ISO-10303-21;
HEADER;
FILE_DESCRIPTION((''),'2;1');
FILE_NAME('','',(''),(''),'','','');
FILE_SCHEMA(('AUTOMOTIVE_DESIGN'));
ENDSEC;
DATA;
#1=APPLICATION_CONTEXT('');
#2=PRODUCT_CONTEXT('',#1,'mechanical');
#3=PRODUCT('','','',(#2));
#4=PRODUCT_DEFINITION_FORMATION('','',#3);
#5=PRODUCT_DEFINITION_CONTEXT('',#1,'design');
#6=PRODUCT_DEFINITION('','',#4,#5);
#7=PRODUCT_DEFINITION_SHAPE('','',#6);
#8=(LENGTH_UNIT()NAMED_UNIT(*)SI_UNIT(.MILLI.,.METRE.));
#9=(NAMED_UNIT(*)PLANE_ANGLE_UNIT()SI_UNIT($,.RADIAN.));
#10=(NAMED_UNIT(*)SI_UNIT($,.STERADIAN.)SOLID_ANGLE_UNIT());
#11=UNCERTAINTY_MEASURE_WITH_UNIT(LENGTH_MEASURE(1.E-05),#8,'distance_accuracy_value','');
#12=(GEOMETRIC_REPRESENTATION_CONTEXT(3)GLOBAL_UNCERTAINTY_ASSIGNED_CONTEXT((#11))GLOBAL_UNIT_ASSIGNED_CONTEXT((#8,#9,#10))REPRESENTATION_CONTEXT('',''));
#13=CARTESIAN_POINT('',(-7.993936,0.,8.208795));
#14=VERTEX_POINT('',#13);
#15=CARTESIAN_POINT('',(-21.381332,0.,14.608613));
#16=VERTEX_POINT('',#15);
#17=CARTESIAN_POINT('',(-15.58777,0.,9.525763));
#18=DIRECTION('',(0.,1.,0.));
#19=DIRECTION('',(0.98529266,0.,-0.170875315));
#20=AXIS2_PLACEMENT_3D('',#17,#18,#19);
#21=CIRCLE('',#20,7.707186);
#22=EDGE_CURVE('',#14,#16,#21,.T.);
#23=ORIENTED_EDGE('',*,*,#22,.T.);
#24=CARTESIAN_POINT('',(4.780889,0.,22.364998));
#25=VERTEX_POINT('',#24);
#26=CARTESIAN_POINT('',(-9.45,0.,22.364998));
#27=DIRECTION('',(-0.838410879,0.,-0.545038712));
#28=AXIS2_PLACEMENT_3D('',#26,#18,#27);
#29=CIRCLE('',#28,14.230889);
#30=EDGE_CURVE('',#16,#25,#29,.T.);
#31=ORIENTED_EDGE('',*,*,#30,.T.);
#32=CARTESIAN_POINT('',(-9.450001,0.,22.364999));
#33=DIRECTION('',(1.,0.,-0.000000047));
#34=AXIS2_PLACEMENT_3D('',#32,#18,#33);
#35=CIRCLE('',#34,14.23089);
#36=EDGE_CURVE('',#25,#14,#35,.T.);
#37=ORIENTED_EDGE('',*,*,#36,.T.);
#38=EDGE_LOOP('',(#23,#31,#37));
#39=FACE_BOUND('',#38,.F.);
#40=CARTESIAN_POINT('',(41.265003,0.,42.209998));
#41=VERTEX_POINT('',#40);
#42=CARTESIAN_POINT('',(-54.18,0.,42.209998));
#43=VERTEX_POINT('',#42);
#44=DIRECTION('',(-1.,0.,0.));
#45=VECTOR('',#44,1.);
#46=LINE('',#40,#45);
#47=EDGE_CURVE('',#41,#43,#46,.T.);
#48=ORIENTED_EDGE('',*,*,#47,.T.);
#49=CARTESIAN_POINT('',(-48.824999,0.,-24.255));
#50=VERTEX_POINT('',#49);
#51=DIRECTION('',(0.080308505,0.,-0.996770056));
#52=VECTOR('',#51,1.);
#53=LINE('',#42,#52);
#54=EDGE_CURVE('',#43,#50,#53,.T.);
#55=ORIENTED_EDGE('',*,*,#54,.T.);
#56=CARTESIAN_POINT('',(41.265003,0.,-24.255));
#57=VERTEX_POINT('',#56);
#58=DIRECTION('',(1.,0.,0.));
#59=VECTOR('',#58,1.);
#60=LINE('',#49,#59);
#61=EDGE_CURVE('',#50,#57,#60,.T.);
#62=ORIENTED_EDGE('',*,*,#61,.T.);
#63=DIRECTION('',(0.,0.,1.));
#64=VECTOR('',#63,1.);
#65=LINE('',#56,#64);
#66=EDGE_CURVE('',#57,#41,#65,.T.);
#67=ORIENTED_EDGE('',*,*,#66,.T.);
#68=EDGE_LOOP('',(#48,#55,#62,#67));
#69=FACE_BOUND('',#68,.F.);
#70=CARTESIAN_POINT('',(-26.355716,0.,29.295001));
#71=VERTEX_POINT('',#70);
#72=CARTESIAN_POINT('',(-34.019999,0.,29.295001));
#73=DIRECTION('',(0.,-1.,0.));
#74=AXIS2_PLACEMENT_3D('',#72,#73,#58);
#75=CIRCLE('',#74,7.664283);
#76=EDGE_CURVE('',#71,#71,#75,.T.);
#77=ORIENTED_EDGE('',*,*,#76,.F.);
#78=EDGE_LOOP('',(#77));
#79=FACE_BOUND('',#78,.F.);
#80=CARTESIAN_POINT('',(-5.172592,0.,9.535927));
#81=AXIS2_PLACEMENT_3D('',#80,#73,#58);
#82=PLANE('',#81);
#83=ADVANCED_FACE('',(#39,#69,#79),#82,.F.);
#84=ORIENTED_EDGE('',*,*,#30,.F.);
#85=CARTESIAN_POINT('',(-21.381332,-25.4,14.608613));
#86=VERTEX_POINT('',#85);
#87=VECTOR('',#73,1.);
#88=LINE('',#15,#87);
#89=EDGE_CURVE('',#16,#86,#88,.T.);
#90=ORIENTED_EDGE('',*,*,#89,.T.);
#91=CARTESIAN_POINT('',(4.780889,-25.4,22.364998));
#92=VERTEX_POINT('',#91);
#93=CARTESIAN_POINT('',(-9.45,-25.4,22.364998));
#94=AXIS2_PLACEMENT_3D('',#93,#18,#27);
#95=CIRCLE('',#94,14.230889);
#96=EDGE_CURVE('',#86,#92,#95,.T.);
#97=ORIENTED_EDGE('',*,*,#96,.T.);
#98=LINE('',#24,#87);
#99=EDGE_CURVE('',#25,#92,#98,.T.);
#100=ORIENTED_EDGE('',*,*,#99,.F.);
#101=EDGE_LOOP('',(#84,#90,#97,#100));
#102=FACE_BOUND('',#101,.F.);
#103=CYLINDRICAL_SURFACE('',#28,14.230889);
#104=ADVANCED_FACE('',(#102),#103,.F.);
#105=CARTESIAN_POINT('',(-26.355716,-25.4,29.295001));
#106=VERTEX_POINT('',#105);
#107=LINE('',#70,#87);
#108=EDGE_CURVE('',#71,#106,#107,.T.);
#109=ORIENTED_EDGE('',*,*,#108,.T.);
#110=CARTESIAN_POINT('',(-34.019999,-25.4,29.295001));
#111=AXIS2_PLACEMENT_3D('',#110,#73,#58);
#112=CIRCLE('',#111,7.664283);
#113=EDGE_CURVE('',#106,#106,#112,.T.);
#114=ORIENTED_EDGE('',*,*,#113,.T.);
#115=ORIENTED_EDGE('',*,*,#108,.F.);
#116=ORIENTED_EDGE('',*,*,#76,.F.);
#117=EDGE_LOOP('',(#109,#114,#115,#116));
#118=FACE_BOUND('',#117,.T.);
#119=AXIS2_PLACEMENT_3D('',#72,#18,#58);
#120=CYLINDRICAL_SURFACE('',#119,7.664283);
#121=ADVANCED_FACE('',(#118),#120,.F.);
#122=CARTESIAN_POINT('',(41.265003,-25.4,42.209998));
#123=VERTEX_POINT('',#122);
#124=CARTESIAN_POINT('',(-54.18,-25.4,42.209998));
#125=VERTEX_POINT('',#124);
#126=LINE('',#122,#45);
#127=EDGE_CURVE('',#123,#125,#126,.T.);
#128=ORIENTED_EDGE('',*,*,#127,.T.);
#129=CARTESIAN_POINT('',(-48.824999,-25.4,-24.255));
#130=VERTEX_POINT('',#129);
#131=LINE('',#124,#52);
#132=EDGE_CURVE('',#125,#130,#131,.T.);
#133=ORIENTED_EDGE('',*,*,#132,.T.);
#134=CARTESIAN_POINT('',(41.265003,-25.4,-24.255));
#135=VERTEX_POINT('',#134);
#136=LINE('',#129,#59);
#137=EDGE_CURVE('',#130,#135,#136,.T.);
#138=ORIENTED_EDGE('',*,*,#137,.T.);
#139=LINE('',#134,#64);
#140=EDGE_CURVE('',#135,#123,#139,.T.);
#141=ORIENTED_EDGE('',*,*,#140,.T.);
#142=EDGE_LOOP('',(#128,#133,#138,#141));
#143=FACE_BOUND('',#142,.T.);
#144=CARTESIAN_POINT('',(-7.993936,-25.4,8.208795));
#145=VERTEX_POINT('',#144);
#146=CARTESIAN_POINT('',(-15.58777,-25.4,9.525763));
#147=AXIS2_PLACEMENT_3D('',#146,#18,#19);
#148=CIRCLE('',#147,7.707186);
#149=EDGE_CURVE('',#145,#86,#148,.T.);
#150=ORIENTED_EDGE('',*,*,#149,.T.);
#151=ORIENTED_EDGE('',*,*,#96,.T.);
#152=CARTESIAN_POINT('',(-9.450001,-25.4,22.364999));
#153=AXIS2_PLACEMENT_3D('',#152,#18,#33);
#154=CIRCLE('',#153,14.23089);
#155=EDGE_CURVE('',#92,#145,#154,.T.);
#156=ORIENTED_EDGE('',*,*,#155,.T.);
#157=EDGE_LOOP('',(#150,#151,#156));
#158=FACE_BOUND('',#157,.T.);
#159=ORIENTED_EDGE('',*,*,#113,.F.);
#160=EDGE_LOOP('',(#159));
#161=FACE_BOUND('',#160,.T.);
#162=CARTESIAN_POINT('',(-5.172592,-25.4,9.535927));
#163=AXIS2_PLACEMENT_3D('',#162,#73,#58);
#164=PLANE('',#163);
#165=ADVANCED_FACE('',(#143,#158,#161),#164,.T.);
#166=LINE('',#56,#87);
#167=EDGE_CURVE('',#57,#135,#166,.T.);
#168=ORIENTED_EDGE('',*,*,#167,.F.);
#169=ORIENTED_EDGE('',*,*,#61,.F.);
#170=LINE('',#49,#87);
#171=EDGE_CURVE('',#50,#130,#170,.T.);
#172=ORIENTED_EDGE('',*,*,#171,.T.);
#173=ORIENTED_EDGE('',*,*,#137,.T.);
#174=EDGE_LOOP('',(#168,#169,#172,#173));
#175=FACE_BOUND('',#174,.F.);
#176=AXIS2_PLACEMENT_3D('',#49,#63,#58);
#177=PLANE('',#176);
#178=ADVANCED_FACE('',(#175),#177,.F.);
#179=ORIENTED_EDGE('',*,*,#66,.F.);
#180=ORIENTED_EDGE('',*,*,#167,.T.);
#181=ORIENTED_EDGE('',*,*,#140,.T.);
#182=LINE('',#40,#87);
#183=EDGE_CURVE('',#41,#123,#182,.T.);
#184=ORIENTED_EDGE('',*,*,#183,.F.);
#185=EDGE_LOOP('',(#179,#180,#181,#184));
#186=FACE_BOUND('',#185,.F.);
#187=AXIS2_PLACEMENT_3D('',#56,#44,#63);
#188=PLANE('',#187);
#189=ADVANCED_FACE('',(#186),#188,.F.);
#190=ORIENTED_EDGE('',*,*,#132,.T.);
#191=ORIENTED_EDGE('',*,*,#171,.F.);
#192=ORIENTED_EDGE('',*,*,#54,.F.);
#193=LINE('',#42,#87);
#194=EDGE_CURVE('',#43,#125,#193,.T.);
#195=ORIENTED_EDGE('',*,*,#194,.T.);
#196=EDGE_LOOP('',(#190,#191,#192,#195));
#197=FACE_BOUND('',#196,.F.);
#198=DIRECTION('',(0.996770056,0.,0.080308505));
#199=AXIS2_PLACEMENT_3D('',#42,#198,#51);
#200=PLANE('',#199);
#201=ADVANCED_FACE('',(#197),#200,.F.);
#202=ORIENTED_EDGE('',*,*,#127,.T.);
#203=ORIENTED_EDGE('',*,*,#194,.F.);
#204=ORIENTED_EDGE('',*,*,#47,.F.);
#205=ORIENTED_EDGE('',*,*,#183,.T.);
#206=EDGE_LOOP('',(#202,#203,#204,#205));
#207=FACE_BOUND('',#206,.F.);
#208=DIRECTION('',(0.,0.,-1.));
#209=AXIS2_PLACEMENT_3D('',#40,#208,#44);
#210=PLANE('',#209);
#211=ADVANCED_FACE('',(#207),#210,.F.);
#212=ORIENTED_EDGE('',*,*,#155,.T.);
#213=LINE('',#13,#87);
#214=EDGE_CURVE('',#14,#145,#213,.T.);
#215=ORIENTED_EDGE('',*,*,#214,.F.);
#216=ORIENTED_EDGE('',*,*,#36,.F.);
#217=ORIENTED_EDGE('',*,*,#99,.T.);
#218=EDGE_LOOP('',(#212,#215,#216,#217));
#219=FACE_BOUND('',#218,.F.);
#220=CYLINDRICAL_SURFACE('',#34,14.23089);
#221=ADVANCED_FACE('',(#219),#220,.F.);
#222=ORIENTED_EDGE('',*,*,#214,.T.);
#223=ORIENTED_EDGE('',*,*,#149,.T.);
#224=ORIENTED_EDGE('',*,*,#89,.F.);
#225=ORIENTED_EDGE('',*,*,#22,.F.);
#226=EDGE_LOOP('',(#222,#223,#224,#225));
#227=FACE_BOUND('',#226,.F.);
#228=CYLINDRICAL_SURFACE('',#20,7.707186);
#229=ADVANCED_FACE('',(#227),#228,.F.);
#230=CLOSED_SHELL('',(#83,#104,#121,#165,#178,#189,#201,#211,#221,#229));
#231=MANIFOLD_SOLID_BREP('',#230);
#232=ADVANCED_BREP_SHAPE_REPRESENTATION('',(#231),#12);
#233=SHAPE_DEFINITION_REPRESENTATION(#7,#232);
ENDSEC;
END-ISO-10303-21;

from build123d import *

# Parameters (mm, degrees)
F0_R     = 7.664283
F1_DEPTH = 25.4


with BuildPart() as f1:
    # F0 (on Front) → F1 (new body)
    with BuildSketch(Plane.XZ):
        Polygon((41.265003, 42.209998), (-54.18, 42.209998), (-48.824999, -24.255), (41.265003, -24.255), align=None)
        with BuildLine():
            ThreePointArc((-21.381332, 14.608613), (-13.495042, 36.008892), (4.780889, 22.364998))
            ThreePointArc((4.780889, 22.364998), (1.11502, 12.830925), (-7.993936, 8.208795))
            ThreePointArc((-7.993936, 8.208795), (-18.911873, 2.57227), (-21.381332, 14.608613))
        make_face(mode=Mode.SUBTRACT)
        with Locations((-34.019999, 29.295001)):
            Circle(F0_R, mode=Mode.SUBTRACT)
    extrude(amount=F1_DEPTH)


solid = f1.part
